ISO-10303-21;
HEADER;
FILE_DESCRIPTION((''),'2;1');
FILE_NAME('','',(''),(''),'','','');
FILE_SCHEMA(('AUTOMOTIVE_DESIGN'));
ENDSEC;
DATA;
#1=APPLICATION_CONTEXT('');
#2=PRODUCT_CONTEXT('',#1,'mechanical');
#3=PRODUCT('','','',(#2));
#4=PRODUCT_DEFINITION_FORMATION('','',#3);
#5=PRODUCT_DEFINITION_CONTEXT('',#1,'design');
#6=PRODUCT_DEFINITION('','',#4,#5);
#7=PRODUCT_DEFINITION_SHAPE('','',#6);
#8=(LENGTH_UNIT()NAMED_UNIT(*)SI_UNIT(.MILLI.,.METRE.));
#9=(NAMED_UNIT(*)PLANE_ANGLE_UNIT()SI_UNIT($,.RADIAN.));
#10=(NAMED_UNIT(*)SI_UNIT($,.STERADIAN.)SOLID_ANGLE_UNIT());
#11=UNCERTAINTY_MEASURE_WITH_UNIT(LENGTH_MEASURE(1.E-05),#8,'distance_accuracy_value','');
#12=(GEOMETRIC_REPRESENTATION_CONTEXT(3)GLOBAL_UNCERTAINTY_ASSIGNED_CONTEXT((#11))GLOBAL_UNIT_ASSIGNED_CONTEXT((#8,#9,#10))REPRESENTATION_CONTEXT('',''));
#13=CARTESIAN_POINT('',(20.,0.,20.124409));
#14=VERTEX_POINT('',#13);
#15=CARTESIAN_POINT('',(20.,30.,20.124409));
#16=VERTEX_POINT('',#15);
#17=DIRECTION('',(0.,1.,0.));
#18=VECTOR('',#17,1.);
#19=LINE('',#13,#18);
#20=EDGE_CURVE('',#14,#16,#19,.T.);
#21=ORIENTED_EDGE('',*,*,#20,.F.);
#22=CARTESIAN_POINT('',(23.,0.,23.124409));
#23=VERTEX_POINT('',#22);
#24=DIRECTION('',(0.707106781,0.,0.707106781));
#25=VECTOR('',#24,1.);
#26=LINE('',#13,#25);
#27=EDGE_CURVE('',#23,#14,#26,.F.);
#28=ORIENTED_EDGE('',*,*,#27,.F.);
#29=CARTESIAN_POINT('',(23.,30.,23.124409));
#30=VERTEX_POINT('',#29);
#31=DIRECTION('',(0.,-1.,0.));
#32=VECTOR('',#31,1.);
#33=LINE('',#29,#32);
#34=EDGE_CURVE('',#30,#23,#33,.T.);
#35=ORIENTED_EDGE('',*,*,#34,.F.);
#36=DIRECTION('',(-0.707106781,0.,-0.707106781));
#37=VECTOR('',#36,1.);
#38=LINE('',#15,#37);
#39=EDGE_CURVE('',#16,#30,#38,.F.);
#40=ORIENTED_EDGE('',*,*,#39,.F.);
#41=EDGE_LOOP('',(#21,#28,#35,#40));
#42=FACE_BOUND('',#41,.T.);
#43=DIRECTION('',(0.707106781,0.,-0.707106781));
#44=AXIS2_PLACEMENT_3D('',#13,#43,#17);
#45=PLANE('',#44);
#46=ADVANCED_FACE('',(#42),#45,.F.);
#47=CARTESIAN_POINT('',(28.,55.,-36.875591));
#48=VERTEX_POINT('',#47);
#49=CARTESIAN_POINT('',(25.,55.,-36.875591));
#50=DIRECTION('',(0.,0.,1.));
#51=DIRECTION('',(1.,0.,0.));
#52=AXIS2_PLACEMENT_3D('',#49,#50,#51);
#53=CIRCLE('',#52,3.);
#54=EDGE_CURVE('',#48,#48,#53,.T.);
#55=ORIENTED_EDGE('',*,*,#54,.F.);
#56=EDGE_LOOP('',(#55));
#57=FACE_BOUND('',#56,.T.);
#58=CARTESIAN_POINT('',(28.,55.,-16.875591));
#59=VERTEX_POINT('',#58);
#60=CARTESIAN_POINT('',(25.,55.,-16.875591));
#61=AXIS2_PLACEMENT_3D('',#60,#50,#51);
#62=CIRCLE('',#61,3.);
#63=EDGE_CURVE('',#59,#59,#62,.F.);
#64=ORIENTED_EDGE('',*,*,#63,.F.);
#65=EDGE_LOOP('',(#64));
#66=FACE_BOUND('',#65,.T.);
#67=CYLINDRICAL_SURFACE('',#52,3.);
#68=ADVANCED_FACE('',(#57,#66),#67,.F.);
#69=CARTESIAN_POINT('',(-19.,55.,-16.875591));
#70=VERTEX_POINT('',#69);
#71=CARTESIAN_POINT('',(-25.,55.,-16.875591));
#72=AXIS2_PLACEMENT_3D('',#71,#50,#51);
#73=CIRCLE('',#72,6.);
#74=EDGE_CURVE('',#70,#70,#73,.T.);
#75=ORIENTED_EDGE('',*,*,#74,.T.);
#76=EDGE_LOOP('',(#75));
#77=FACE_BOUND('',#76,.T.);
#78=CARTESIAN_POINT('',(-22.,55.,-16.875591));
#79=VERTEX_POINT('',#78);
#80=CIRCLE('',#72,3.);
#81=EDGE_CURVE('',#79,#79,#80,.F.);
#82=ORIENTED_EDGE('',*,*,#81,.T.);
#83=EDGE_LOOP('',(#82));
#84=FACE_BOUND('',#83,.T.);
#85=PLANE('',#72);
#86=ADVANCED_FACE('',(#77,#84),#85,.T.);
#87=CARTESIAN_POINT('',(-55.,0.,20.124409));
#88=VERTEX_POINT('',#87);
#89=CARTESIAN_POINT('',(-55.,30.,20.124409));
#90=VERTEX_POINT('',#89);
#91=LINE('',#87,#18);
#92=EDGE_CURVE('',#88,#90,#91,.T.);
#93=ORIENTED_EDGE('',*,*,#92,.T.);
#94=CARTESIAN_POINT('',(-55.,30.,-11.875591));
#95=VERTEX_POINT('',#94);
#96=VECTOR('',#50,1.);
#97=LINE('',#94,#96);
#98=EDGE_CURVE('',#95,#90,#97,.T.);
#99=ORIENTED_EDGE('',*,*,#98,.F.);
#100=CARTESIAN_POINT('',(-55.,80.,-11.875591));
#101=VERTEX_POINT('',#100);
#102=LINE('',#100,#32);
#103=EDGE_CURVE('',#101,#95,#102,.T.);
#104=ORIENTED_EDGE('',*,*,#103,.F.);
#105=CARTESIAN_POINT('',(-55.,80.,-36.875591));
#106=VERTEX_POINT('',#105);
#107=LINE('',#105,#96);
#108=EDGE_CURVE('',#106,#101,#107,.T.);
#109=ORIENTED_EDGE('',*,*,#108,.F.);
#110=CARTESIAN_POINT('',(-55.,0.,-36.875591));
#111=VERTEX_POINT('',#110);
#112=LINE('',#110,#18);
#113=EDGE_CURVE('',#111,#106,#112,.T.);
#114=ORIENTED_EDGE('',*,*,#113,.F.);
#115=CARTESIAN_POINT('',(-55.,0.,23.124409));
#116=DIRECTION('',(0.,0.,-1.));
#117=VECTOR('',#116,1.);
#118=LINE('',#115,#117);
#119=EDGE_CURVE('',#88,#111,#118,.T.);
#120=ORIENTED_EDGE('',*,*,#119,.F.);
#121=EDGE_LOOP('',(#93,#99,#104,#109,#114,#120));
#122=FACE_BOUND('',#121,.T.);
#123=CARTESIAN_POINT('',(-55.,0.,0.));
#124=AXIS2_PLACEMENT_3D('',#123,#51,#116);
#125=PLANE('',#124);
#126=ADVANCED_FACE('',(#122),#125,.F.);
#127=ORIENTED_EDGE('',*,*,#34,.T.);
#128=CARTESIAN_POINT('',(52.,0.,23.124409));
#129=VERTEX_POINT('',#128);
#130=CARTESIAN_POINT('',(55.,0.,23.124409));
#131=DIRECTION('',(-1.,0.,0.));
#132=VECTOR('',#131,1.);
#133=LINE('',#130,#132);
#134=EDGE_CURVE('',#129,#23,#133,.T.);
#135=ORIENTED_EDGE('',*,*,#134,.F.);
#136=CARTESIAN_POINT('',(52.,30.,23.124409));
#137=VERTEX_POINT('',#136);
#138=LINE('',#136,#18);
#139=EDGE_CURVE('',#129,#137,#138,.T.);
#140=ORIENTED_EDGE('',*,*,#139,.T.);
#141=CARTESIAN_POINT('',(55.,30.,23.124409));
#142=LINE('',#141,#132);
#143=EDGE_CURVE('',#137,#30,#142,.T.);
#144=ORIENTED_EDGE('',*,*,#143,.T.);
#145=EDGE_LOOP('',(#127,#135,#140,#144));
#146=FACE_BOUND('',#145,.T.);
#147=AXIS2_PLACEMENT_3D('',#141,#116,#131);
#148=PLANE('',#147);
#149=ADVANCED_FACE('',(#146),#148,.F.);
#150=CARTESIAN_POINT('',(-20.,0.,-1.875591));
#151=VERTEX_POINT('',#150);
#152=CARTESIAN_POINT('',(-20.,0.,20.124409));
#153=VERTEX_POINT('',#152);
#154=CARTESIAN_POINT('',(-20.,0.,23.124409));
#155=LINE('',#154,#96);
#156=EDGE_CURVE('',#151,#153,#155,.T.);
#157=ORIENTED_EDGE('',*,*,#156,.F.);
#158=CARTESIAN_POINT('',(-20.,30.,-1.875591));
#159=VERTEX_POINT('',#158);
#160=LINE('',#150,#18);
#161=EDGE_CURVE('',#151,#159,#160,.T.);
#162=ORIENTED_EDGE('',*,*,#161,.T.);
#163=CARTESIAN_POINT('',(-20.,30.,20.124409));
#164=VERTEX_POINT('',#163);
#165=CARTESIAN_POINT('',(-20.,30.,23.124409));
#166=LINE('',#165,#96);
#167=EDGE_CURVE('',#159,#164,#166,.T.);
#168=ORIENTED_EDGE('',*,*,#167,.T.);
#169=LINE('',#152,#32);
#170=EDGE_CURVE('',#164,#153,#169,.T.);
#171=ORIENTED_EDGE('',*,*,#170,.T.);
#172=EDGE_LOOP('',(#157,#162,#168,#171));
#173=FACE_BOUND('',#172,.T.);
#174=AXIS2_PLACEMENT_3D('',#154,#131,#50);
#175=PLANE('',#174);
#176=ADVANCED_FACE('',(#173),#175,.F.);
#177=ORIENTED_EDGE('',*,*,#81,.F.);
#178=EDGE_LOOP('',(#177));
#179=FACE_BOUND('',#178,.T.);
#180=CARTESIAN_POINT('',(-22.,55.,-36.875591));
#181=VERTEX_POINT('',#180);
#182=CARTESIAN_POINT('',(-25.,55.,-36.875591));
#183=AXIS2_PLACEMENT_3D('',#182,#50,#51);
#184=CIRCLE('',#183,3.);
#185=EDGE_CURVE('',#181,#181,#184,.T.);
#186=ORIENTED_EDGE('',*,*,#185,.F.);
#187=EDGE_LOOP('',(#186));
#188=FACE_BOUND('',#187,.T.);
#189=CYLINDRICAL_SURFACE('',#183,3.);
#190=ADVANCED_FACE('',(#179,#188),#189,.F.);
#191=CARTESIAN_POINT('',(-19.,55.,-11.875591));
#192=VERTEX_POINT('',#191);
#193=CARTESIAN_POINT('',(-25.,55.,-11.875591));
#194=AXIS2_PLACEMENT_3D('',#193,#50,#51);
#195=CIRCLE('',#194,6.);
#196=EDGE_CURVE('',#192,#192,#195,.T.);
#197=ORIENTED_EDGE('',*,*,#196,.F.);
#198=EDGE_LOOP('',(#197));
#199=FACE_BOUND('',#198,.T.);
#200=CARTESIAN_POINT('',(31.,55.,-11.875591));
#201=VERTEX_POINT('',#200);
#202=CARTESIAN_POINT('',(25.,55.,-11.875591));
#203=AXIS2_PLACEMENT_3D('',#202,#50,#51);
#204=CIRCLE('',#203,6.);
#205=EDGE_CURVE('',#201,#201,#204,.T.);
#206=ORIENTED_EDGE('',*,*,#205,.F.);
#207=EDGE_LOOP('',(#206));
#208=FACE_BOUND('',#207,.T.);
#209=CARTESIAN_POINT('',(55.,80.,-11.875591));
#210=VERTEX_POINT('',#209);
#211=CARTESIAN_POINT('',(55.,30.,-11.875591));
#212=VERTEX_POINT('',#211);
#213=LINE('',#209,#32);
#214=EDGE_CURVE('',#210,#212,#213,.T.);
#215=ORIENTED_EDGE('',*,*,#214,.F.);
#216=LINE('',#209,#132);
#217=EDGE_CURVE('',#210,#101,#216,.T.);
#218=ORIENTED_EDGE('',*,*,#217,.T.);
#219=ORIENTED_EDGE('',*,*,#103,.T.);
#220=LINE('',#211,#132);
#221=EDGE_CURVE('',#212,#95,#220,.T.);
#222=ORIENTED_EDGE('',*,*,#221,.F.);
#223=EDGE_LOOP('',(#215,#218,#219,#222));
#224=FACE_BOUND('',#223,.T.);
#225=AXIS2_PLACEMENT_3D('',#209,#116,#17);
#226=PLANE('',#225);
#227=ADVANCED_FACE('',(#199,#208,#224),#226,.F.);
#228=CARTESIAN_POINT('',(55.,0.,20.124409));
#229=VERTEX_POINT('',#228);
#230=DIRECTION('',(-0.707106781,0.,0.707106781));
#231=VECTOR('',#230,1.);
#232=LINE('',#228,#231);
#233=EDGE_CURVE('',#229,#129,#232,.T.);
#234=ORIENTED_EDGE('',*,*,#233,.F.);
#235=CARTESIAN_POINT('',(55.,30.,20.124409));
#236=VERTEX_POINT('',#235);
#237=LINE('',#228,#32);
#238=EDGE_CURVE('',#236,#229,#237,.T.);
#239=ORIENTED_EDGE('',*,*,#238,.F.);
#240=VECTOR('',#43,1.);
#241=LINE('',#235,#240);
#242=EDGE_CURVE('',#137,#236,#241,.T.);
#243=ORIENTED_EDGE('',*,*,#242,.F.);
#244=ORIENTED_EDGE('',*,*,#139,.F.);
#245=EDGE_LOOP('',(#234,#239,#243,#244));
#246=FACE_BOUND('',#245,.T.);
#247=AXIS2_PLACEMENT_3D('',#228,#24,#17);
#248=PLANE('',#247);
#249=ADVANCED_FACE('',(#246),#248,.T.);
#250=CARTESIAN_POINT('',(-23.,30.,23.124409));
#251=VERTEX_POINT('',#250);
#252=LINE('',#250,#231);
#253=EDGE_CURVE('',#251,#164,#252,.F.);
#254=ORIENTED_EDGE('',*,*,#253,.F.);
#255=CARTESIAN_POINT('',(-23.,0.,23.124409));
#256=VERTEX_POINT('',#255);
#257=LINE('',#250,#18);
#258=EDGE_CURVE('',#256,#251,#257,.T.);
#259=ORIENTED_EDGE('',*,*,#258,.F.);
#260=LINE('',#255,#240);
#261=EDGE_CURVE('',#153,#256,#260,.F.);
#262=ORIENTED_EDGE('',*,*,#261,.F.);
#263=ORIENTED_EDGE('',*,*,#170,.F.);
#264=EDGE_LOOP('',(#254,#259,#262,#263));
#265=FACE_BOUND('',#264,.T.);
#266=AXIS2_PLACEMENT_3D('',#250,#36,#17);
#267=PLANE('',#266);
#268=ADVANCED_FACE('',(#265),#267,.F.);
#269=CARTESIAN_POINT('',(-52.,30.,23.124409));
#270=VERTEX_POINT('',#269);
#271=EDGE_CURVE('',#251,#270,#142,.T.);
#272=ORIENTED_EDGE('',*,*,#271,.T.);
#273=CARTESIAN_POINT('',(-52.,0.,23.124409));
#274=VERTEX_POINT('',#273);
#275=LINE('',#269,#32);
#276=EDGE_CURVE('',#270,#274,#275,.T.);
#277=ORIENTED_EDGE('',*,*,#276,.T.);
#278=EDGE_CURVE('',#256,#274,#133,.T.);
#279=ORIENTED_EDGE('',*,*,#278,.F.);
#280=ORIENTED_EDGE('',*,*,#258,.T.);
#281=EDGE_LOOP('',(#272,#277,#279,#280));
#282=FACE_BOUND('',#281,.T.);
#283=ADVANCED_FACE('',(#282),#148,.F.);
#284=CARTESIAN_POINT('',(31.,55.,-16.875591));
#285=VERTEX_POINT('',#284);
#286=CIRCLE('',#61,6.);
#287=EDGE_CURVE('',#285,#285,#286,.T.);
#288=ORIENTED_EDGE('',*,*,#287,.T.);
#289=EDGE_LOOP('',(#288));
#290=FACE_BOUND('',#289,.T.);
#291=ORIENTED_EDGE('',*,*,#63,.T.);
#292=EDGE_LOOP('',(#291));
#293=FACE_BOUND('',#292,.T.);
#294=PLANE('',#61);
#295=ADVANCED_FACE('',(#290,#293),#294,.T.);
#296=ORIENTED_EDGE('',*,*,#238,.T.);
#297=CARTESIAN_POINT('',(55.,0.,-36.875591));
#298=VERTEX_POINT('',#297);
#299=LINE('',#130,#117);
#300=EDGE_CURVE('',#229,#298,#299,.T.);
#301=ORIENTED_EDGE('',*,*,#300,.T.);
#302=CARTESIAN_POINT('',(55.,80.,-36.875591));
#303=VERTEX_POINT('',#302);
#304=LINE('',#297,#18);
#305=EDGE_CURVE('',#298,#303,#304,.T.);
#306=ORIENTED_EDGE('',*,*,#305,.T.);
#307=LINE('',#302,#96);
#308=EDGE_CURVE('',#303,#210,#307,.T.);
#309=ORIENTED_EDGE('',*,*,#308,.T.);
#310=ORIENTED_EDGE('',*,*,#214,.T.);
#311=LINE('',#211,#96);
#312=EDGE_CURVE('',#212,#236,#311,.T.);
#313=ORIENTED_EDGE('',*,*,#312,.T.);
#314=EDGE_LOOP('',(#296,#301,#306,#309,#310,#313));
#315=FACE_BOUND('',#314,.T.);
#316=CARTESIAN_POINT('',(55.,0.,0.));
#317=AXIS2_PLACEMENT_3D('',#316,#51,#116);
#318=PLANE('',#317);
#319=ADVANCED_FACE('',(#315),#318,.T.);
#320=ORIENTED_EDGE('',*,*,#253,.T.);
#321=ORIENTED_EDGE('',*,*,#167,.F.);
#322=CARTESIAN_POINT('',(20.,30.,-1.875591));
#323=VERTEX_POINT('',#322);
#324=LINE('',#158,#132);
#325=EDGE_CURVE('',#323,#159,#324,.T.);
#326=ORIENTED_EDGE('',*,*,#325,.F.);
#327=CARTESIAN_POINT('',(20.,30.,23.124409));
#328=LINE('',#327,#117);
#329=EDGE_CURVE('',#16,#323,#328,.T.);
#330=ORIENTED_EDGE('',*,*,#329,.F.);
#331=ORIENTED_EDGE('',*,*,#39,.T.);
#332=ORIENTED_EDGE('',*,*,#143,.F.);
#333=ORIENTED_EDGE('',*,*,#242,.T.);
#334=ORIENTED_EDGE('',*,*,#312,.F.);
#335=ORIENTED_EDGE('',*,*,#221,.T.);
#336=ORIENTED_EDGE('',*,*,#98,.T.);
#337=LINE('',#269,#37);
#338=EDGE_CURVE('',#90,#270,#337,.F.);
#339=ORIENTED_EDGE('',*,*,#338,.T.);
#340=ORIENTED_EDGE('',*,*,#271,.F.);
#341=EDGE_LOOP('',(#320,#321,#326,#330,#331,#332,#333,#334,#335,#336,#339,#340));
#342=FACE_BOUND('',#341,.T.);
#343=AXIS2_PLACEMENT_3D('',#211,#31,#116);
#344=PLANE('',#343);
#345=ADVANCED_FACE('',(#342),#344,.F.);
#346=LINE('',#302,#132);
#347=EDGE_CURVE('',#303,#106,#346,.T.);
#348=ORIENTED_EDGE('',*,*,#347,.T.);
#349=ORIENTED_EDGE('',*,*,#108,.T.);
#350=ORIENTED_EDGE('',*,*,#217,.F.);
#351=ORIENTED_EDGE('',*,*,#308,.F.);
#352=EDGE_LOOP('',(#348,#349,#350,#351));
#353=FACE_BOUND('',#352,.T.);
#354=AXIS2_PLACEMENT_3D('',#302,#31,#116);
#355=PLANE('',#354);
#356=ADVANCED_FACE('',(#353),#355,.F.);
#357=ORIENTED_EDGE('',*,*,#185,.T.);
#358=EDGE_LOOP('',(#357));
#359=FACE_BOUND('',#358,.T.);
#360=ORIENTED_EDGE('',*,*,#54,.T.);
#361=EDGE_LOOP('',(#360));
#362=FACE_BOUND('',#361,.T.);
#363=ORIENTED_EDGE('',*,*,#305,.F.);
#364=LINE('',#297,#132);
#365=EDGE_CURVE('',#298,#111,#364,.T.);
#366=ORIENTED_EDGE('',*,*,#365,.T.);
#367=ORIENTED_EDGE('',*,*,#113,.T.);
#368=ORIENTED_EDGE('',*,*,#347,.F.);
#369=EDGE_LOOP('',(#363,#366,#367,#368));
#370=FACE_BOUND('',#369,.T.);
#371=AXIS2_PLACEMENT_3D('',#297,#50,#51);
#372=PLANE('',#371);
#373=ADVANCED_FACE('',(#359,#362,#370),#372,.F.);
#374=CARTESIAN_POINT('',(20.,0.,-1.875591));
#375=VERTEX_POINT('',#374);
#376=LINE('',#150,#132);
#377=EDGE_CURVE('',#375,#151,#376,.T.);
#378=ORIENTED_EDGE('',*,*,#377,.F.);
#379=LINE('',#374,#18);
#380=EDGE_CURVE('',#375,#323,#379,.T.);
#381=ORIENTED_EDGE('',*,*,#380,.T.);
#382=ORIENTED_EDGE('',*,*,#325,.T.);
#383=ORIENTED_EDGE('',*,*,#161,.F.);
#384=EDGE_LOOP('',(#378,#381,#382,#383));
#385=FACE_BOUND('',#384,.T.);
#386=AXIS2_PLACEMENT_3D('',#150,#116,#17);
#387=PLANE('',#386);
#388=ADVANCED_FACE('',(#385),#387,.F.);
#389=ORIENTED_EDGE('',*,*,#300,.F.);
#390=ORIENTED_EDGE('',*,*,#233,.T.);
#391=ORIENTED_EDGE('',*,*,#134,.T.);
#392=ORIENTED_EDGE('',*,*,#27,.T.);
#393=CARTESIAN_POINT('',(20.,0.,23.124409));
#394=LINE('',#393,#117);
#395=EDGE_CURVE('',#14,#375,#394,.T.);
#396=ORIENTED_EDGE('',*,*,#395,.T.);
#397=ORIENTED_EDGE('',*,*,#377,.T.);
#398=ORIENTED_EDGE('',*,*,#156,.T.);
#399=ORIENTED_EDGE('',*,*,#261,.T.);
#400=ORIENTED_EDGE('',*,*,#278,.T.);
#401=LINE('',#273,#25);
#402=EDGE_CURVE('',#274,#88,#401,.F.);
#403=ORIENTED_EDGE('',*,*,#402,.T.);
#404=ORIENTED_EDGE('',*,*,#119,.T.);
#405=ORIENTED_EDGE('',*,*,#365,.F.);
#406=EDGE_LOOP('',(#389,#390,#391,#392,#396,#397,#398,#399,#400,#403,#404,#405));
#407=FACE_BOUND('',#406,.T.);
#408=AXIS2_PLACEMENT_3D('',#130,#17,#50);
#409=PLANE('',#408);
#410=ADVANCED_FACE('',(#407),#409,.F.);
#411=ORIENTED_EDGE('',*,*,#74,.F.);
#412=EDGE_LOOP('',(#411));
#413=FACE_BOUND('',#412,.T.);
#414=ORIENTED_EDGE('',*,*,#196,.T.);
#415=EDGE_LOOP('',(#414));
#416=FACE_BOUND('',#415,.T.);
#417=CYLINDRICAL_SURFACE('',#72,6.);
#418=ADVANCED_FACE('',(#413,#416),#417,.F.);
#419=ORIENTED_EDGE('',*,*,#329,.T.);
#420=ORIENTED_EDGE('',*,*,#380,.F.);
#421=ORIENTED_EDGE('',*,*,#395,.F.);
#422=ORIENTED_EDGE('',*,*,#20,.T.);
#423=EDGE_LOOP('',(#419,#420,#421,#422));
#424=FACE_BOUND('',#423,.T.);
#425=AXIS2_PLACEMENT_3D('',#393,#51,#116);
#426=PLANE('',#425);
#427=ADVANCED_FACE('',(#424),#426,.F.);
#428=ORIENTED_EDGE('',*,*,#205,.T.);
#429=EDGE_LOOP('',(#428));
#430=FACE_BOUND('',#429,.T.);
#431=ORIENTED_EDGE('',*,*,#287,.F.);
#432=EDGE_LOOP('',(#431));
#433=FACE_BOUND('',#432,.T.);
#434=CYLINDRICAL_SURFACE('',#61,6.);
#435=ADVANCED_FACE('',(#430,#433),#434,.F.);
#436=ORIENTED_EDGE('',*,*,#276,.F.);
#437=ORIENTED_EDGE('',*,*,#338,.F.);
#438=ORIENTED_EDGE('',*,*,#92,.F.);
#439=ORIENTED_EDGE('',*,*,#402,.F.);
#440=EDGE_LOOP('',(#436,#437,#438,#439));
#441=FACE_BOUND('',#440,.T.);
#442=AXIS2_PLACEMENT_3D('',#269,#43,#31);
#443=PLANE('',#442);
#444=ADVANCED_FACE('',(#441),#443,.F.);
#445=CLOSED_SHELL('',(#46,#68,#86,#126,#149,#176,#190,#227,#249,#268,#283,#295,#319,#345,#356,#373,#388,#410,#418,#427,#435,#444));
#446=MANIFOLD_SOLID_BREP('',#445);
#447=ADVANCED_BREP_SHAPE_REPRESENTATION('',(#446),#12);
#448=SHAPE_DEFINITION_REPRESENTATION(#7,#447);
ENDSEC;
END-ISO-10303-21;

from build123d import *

# Parameters (mm, degrees)
BOSS_EXTRUDE2_DEPTH = 55
SKETCH4_W           = 40
SKETCH4_H           = 25
CUT_EXTRUDE1_DEPTH  = 83.974750358
SKETCH5_R           = 3
CUT_EXTRUDE2_DEPTH  = 104.198837203
SKETCH6_R           = 6
CUT_EXTRUDE3_DEPTH  = 5
CHAMFER1_SIZE       = 3


with BuildPart() as part:
    # Sketch3 → Boss-Extrude2 (new, symmetric)
    with BuildSketch(Plane(origin=(0, 0, 0), x_dir=(0, 0, -1), z_dir=(1, 0, 0))):
        Polygon((-23.124409198, 0), (36.875590802, 0), (36.875590802, 80), (11.875590802, 80), (11.875590802, 30), (-23.124409198, 30), align=None)
    extrude(amount=BOSS_EXTRUDE2_DEPTH, both=True)

    # Sketch4 → Cut-Extrude1 (cut, through all)
    with BuildSketch(Plane(origin=(0, 30, 0), x_dir=(1, 0, 0), z_dir=(0, 1, 0))):
        with Locations((0, -10.624409198)):
            Rectangle(SKETCH4_W, SKETCH4_H)
    extrude(amount=-CUT_EXTRUDE1_DEPTH, mode=Mode.SUBTRACT)

    # Sketch5 → Cut-Extrude2 (cut, through all)
    with BuildSketch(Plane.XY.offset(-11.875590802)):
        with Locations((-25, 55)):
            Circle(SKETCH5_R)
        with Locations((25, 55)):
            Circle(SKETCH5_R)
    extrude(amount=-CUT_EXTRUDE2_DEPTH, mode=Mode.SUBTRACT)

    # Sketch6 → Cut-Extrude3 (cut)
    with BuildSketch(Plane.XY.offset(-11.875590802)):
        with Locations((-25, 55)):
            Circle(SKETCH6_R)
        with Locations((25, 55)):
            Circle(SKETCH6_R)
    extrude(amount=-CUT_EXTRUDE3_DEPTH, mode=Mode.SUBTRACT)

    # Chamfer1
    chamfer1_edges = [part.edges().sort_by_distance(p)[0] for p in [
        (-20, 15, 23.124409198),
        (20, 15, 23.124409198),
        (55, 15, 23.124409198),
        (-55, 15, 23.124409198),
    ]]
    chamfer(chamfer1_edges, length=CHAMFER1_SIZE)


solid = part.part
